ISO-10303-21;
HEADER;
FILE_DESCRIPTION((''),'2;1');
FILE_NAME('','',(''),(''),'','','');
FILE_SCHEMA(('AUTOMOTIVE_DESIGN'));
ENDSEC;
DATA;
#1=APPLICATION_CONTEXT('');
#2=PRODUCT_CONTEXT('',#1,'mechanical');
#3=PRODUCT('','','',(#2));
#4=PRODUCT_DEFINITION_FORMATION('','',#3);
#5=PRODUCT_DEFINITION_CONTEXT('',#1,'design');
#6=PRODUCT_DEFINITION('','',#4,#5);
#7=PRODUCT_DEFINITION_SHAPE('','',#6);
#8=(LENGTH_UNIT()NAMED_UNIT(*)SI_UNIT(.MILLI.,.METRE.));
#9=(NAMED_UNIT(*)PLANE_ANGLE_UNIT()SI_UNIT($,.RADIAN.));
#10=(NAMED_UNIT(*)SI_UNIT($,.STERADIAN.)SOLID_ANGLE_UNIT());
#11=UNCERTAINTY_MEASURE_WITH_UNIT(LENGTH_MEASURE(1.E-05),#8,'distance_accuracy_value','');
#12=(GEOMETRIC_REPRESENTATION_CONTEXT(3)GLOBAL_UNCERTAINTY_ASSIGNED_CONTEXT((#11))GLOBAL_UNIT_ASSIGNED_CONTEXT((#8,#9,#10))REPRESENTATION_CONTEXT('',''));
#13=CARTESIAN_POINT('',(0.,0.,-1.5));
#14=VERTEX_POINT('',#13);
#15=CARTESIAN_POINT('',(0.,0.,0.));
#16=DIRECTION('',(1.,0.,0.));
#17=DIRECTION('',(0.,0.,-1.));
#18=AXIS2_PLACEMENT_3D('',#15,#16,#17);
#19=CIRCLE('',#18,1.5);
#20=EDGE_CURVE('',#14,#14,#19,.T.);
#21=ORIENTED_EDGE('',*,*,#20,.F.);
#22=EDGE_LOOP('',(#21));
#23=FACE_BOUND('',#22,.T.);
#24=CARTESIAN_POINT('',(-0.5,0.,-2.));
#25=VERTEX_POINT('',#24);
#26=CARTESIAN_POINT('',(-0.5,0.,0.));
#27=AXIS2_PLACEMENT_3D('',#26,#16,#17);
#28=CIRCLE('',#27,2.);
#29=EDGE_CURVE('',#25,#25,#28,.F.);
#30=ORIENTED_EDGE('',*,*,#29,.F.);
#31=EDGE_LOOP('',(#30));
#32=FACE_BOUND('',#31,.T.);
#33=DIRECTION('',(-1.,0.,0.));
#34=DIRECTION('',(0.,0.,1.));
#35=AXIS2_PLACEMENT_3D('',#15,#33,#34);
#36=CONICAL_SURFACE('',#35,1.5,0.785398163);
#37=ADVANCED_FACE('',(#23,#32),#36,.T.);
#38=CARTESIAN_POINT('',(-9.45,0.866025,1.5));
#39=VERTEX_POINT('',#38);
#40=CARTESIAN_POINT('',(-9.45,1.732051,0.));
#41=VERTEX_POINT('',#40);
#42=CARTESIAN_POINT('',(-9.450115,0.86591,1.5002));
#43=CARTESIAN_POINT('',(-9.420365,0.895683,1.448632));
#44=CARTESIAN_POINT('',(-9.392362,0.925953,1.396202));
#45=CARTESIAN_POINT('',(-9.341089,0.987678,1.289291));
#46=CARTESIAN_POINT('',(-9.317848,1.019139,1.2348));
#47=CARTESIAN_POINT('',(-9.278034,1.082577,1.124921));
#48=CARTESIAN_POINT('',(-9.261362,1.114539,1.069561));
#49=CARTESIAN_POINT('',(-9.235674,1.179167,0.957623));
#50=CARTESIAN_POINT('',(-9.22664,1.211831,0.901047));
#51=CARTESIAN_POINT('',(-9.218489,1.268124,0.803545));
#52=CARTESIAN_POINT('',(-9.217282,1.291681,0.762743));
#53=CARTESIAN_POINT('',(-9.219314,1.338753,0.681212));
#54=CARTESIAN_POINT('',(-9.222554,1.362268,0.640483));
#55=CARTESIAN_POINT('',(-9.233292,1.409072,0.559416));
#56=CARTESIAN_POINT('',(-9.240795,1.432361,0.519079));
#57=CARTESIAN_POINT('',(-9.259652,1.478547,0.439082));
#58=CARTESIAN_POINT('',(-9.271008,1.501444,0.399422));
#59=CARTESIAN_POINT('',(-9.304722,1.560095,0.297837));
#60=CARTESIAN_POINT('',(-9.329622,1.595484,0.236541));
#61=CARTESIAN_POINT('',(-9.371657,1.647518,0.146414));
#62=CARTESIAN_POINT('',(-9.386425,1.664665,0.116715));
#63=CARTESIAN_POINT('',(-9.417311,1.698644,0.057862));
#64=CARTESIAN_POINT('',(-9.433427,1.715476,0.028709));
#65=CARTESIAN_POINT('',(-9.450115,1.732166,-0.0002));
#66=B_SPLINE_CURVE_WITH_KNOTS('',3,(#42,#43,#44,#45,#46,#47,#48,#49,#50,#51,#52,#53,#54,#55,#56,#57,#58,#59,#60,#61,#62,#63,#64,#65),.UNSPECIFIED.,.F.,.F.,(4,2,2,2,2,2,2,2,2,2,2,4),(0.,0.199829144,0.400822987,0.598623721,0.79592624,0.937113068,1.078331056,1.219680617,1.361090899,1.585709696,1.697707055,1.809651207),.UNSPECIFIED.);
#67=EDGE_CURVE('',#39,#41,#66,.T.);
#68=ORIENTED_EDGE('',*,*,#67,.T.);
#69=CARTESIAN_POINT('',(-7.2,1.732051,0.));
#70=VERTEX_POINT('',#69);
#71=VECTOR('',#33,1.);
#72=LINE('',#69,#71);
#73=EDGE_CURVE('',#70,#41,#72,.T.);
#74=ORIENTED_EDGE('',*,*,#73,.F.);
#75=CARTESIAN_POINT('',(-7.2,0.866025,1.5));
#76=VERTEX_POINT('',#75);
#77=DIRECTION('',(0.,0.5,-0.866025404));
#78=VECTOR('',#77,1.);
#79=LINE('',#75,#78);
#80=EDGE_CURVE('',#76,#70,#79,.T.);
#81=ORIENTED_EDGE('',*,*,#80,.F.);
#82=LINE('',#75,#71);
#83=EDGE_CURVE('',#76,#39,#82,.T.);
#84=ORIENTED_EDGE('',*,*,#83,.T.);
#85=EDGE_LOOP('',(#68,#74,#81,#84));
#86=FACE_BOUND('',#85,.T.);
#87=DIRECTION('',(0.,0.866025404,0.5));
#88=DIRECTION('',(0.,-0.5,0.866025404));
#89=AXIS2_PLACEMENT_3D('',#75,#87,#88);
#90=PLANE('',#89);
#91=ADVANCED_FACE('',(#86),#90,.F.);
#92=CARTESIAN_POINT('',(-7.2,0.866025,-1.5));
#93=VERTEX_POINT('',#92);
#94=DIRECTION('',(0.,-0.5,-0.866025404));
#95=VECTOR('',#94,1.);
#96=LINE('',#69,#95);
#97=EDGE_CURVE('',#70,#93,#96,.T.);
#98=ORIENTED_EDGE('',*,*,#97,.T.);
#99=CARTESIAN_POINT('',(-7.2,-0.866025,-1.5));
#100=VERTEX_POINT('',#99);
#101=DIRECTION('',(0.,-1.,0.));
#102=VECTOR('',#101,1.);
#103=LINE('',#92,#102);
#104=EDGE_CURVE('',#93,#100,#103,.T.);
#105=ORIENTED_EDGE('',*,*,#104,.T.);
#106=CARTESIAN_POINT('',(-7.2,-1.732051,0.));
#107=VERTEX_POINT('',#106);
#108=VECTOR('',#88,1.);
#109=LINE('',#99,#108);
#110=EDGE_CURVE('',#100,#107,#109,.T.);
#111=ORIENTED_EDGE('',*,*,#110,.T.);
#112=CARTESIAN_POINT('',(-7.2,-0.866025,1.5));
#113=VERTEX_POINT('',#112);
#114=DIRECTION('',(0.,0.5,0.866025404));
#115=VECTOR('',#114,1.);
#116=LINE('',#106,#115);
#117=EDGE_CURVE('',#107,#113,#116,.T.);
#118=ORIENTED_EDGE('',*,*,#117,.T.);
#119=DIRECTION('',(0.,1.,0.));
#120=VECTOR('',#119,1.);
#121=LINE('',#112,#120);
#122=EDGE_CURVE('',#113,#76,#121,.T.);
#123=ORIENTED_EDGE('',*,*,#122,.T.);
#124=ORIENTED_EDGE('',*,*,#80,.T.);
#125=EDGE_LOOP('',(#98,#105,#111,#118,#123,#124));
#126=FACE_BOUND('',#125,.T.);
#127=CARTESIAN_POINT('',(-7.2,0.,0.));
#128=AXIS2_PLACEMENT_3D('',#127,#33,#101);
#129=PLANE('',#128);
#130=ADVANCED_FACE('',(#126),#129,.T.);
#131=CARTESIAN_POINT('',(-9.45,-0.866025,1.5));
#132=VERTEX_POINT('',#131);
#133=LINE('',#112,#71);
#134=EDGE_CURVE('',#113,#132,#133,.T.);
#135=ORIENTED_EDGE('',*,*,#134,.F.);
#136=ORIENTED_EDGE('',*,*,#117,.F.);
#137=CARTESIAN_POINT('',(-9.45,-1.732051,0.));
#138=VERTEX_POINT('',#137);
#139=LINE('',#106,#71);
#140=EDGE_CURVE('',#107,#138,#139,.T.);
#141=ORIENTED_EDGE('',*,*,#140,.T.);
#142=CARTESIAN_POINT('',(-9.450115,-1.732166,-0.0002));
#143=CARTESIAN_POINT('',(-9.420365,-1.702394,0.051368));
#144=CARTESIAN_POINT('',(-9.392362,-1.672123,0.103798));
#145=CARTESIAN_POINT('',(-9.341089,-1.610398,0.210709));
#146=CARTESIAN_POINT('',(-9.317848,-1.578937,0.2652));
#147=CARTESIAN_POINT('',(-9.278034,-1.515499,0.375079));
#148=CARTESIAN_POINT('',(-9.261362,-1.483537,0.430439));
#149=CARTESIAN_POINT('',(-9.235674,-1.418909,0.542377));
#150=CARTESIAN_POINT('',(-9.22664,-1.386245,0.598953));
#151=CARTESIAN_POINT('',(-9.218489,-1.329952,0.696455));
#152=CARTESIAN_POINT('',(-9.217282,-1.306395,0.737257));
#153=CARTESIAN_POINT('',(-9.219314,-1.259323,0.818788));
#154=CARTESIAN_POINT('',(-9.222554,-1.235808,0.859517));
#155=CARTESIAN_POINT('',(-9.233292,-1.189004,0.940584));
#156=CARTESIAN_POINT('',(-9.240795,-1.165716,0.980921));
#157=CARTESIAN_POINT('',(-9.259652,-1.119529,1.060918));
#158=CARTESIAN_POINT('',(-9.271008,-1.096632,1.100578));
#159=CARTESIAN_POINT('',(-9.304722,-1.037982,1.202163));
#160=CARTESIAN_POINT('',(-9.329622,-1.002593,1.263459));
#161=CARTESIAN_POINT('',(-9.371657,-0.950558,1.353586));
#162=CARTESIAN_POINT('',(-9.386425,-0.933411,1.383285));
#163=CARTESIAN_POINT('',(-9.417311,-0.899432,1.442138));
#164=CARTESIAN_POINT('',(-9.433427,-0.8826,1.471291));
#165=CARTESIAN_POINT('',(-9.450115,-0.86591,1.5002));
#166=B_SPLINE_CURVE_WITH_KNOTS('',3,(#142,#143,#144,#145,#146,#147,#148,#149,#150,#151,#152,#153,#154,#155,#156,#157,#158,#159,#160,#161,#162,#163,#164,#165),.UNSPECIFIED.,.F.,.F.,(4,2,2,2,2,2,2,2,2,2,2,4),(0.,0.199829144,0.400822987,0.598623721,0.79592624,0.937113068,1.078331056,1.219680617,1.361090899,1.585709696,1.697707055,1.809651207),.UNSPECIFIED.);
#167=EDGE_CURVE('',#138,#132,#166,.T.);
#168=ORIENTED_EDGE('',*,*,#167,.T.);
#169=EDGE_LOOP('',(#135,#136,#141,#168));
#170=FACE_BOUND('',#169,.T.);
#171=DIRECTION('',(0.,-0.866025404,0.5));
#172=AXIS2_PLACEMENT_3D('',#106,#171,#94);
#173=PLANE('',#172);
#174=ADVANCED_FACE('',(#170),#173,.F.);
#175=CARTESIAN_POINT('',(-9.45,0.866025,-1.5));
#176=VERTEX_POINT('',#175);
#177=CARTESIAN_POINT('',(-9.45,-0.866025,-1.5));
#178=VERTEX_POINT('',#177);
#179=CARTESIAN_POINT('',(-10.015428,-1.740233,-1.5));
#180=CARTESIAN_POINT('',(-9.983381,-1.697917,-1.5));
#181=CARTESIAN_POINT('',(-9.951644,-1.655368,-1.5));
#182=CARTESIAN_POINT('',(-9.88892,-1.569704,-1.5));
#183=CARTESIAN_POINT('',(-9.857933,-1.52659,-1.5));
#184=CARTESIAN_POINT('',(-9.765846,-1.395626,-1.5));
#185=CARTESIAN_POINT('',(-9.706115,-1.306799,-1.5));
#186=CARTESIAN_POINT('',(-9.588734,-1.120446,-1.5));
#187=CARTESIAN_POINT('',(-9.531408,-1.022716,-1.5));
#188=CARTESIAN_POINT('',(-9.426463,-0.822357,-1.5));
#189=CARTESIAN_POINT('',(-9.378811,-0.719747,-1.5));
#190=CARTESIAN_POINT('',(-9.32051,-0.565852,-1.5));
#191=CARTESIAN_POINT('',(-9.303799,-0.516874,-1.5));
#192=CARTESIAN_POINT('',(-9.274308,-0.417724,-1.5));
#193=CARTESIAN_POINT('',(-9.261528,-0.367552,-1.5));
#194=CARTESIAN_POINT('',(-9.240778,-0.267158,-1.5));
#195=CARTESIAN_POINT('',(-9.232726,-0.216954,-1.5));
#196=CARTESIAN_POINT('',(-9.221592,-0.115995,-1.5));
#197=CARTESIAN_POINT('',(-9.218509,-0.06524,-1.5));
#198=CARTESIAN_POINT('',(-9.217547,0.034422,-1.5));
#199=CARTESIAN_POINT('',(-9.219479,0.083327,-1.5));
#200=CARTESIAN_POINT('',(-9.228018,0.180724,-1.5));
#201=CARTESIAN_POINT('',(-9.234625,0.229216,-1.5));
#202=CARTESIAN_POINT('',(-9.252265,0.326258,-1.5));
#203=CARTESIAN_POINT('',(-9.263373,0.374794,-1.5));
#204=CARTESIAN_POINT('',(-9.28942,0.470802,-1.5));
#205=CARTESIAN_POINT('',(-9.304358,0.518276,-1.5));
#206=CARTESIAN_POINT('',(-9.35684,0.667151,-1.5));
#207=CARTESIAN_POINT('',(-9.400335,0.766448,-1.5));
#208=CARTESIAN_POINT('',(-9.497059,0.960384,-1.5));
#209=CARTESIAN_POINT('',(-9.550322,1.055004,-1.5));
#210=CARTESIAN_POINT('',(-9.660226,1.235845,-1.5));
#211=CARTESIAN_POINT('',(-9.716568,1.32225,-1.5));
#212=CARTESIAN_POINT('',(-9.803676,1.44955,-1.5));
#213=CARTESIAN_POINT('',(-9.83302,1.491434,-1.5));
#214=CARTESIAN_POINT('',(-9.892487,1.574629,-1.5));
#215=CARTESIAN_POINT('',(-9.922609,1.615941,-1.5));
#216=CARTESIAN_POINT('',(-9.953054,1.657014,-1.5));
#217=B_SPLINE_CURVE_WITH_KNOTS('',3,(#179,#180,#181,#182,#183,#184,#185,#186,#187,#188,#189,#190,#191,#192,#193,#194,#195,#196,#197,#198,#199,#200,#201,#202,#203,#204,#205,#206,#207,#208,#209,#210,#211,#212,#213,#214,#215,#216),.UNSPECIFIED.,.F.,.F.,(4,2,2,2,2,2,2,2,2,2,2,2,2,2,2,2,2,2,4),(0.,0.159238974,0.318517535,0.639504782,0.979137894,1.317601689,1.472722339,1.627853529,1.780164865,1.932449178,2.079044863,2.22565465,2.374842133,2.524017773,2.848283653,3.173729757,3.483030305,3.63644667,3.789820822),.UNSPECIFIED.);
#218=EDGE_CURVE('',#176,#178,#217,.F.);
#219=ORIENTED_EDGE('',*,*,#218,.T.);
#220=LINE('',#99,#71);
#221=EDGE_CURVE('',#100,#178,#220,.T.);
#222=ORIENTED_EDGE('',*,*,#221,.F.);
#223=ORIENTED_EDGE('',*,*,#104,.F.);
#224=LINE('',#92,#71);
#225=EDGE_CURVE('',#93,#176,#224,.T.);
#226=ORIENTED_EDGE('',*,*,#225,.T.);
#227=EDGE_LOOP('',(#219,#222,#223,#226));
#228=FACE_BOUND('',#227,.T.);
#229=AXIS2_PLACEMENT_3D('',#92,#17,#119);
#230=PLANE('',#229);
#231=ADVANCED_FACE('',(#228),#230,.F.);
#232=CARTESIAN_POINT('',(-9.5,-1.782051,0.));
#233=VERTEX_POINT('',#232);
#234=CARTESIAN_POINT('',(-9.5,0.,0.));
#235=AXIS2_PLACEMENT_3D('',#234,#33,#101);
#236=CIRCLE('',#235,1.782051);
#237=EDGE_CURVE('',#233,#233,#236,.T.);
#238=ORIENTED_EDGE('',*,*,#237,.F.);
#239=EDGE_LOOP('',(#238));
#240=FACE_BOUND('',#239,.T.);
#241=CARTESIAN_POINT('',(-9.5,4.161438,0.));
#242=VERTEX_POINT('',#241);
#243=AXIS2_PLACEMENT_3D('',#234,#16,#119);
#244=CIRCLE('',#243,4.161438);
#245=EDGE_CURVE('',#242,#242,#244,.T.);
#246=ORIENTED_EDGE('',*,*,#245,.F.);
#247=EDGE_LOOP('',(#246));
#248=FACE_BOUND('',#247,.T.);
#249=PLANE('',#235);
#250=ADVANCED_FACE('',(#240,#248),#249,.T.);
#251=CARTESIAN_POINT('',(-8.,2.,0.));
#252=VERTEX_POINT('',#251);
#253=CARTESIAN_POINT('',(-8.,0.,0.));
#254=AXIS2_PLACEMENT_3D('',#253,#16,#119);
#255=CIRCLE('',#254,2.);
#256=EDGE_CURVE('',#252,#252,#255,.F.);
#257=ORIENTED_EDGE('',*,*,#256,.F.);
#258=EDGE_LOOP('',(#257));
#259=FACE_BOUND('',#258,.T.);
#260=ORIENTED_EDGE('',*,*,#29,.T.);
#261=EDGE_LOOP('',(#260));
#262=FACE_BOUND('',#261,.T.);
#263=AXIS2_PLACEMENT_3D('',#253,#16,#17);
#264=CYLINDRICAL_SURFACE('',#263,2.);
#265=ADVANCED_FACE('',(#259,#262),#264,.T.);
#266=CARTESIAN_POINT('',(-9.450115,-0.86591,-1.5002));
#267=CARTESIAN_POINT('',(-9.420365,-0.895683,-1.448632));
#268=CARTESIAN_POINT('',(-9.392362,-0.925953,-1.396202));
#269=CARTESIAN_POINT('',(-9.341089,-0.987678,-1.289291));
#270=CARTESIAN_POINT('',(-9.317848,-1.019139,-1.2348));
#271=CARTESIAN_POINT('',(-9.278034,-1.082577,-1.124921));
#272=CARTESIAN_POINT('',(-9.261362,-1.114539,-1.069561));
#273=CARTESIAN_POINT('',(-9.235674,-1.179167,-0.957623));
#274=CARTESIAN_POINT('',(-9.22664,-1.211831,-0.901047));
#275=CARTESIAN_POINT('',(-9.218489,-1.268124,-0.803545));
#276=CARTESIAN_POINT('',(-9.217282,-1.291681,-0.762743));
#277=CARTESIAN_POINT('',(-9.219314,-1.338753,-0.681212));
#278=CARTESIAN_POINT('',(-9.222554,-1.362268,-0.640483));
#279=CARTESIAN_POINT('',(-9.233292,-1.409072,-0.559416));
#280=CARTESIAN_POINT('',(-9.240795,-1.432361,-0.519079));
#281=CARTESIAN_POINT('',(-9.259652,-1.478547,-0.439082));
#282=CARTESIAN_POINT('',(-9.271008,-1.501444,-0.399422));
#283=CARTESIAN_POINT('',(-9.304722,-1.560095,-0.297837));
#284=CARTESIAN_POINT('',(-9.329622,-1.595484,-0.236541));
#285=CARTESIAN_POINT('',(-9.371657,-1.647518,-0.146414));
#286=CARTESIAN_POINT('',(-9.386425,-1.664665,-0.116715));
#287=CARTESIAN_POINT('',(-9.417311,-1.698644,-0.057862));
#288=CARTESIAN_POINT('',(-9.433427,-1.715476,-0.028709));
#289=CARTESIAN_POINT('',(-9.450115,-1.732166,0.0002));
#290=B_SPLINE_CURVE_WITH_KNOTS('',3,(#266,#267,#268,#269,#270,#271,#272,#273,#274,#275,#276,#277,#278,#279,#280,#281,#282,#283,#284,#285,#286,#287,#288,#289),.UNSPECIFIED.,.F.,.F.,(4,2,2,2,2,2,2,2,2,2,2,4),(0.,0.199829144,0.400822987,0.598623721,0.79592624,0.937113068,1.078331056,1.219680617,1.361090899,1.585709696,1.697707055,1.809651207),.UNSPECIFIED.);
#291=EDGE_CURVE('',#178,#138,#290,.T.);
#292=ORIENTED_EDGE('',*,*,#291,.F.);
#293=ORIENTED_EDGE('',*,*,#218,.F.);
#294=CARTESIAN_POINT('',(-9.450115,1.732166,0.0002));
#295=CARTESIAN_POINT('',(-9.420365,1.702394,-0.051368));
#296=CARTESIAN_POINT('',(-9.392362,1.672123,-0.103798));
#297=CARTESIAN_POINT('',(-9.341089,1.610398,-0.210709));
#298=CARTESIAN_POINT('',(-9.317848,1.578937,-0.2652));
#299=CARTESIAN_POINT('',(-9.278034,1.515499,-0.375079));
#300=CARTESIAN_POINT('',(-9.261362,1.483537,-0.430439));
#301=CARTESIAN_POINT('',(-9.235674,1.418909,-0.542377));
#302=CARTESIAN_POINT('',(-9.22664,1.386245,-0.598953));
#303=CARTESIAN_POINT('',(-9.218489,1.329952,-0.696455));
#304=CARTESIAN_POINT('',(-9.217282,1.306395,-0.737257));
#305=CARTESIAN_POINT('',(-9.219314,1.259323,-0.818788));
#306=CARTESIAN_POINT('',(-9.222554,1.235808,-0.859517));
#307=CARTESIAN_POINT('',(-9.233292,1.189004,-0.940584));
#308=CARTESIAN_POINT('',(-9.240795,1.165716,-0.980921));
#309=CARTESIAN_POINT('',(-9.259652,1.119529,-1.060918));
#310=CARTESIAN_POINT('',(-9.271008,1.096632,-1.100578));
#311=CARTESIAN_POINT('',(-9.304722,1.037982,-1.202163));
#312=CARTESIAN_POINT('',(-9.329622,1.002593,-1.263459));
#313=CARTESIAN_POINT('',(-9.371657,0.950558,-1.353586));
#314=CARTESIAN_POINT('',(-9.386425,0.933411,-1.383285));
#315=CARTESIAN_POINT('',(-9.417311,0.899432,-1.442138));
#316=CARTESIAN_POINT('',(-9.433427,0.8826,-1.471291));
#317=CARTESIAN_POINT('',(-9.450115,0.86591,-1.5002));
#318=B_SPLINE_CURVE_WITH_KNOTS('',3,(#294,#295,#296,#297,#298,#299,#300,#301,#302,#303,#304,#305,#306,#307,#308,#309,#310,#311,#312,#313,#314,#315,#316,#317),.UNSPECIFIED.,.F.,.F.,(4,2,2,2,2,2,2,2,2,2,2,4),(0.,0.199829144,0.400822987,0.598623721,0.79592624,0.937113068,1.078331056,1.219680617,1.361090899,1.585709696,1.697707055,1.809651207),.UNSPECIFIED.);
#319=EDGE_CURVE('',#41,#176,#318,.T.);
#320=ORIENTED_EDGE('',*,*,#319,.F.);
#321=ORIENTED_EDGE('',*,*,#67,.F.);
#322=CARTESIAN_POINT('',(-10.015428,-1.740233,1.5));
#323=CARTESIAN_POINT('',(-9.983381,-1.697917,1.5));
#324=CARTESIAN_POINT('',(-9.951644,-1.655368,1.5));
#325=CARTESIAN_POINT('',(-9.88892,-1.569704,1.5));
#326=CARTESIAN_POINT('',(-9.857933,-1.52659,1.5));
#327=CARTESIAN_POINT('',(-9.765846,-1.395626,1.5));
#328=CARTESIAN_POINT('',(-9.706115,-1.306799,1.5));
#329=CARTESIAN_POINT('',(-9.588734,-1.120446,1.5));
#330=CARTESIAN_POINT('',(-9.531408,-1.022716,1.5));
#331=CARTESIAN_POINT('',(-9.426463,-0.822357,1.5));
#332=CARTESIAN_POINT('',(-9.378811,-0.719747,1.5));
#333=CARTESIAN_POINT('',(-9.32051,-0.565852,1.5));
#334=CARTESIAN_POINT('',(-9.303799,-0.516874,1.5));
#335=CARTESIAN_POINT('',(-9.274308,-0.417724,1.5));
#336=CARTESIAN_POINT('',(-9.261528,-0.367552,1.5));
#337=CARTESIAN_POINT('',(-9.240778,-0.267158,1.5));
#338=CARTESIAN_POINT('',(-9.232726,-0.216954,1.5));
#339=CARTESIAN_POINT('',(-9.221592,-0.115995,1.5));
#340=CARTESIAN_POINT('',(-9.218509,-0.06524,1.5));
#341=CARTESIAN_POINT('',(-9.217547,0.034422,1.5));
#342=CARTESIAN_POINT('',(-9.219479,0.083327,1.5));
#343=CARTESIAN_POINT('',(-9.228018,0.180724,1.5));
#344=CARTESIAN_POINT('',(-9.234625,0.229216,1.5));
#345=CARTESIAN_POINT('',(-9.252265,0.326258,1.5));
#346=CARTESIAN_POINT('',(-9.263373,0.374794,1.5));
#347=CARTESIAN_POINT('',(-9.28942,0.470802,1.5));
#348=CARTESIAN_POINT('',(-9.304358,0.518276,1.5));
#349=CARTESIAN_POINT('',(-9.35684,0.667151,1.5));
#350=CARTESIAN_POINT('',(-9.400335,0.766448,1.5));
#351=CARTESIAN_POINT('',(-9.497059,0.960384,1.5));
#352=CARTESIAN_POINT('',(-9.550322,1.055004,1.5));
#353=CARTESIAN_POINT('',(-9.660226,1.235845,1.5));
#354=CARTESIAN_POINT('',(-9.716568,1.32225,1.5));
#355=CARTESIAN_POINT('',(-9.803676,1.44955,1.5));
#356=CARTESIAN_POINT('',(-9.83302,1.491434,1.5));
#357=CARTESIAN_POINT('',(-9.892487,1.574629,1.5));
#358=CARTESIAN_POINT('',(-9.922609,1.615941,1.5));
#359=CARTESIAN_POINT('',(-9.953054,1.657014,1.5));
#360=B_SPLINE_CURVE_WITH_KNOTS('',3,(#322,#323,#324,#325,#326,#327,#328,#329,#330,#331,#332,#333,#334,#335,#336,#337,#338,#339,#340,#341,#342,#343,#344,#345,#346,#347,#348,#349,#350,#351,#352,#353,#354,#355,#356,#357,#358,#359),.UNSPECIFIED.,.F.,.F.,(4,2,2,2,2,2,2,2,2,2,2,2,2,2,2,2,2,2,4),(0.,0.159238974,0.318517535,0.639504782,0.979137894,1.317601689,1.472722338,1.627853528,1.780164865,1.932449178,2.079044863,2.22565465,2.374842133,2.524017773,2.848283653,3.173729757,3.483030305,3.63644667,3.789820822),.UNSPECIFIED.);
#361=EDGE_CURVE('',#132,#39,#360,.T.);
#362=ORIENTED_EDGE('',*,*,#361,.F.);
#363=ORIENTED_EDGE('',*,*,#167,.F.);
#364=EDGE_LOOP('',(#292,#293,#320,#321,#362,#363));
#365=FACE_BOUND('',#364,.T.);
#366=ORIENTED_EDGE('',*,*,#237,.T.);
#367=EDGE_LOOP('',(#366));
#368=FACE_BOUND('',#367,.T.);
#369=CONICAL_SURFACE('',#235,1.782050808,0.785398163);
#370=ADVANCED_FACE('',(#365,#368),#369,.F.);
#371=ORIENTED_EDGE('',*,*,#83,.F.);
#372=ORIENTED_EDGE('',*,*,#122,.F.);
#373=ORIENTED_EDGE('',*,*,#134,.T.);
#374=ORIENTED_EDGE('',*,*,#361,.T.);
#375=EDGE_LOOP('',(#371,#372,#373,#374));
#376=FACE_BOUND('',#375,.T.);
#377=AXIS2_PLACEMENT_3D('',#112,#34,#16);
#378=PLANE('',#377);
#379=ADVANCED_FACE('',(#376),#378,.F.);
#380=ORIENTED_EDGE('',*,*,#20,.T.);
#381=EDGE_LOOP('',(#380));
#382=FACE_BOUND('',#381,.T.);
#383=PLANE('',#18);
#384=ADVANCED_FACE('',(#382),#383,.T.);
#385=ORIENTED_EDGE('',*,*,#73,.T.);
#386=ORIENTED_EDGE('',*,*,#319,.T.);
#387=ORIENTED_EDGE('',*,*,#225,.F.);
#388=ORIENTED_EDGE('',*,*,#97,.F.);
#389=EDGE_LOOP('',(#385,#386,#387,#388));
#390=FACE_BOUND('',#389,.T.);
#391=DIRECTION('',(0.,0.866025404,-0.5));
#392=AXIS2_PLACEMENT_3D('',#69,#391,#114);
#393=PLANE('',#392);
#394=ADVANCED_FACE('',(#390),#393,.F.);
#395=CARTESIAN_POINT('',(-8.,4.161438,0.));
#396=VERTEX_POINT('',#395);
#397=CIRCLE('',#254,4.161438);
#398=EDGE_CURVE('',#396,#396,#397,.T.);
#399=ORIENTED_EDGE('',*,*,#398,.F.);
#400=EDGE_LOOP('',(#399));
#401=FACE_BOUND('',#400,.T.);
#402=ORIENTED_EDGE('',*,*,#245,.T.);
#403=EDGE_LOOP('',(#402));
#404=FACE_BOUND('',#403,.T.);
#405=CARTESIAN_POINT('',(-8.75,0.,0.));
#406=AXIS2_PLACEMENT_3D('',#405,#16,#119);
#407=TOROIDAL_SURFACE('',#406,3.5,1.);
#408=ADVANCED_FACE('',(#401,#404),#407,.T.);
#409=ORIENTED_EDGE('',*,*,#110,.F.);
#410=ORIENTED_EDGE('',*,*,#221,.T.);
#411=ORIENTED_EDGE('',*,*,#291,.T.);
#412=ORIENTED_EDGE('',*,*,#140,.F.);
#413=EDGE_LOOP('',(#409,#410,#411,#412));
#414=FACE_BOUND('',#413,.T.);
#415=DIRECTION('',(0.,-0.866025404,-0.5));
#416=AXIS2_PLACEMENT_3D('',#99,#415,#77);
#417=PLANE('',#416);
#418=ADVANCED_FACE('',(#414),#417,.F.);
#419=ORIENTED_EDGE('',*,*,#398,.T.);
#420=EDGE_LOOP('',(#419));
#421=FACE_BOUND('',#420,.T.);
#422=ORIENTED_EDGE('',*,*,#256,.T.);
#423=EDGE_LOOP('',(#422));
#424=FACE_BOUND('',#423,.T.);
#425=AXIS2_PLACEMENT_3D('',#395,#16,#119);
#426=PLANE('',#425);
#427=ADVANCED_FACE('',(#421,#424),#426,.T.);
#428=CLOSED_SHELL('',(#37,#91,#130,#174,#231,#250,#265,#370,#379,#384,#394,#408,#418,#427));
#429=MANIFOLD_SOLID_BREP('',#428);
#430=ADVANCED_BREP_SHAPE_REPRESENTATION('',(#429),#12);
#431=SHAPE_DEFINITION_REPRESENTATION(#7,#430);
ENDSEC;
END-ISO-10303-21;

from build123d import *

# Parameters (mm, degrees)
SKETCH2_R           = 2
BOSS_EXTRUDE1_DEPTH = 8
CHAMFER1_SIZE       = 0.5
CUT_EXTRUDE1_DEPTH  = 2.3
SKETCH8_R           = 1.782050808
CUT_EXTRUDE2_DEPTH  = 1
CUT_EXTRUDE2_TAPER  = 45


with BuildPart() as part:
    # Sketch2 → Boss-Extrude1 (new body)
    with BuildSketch(Plane(origin=(0, 0, 0), x_dir=(0, 0, -1), z_dir=(1, 0, 0))):
        Circle(SKETCH2_R)
    extrude(amount=-BOSS_EXTRUDE1_DEPTH)

    # Chamfer1
    chamfer1_edges = [part.edges().sort_by_distance(p)[0] for p in [
        (0, 0, 2),
    ]]
    chamfer(chamfer1_edges, length=CHAMFER1_SIZE)

    # Sketch6 → Revolve1 (revolve)
    with BuildSketch(Plane.XY):
        with BuildLine():
            Line((-9.5, 0), (-9.5, 4.161437828))
            ThreePointArc((-9.5, 4.161437828), (-8.75, 4.5), (-8, 4.161437828))
            Line((-8, 4.161437828), (-8, 0))
            Line((-8, 0), (-9.5, 0))
        make_face()
    revolve(axis=Axis((-8, 0, 0), (-1, 0, 0)))

    # Sketch7 → Cut-Extrude1 (cut)
    with BuildSketch(Plane.ZY.offset(9.5)):
        Polygon((0, 1.732050808), (-1.5, 0.866025404), (-1.5, -0.866025404), (0, -1.732050808), (1.5, -0.866025404), (1.5, 0.866025404), align=None)
    extrude(amount=-CUT_EXTRUDE1_DEPTH, mode=Mode.SUBTRACT)

    # Sketch8 → Cut-Extrude2 (cut)
    with BuildSketch(Plane.ZY.offset(9.5)):
        Circle(SKETCH8_R)
    extrude(amount=-CUT_EXTRUDE2_DEPTH, taper=CUT_EXTRUDE2_TAPER, mode=Mode.SUBTRACT)


solid = part.part
